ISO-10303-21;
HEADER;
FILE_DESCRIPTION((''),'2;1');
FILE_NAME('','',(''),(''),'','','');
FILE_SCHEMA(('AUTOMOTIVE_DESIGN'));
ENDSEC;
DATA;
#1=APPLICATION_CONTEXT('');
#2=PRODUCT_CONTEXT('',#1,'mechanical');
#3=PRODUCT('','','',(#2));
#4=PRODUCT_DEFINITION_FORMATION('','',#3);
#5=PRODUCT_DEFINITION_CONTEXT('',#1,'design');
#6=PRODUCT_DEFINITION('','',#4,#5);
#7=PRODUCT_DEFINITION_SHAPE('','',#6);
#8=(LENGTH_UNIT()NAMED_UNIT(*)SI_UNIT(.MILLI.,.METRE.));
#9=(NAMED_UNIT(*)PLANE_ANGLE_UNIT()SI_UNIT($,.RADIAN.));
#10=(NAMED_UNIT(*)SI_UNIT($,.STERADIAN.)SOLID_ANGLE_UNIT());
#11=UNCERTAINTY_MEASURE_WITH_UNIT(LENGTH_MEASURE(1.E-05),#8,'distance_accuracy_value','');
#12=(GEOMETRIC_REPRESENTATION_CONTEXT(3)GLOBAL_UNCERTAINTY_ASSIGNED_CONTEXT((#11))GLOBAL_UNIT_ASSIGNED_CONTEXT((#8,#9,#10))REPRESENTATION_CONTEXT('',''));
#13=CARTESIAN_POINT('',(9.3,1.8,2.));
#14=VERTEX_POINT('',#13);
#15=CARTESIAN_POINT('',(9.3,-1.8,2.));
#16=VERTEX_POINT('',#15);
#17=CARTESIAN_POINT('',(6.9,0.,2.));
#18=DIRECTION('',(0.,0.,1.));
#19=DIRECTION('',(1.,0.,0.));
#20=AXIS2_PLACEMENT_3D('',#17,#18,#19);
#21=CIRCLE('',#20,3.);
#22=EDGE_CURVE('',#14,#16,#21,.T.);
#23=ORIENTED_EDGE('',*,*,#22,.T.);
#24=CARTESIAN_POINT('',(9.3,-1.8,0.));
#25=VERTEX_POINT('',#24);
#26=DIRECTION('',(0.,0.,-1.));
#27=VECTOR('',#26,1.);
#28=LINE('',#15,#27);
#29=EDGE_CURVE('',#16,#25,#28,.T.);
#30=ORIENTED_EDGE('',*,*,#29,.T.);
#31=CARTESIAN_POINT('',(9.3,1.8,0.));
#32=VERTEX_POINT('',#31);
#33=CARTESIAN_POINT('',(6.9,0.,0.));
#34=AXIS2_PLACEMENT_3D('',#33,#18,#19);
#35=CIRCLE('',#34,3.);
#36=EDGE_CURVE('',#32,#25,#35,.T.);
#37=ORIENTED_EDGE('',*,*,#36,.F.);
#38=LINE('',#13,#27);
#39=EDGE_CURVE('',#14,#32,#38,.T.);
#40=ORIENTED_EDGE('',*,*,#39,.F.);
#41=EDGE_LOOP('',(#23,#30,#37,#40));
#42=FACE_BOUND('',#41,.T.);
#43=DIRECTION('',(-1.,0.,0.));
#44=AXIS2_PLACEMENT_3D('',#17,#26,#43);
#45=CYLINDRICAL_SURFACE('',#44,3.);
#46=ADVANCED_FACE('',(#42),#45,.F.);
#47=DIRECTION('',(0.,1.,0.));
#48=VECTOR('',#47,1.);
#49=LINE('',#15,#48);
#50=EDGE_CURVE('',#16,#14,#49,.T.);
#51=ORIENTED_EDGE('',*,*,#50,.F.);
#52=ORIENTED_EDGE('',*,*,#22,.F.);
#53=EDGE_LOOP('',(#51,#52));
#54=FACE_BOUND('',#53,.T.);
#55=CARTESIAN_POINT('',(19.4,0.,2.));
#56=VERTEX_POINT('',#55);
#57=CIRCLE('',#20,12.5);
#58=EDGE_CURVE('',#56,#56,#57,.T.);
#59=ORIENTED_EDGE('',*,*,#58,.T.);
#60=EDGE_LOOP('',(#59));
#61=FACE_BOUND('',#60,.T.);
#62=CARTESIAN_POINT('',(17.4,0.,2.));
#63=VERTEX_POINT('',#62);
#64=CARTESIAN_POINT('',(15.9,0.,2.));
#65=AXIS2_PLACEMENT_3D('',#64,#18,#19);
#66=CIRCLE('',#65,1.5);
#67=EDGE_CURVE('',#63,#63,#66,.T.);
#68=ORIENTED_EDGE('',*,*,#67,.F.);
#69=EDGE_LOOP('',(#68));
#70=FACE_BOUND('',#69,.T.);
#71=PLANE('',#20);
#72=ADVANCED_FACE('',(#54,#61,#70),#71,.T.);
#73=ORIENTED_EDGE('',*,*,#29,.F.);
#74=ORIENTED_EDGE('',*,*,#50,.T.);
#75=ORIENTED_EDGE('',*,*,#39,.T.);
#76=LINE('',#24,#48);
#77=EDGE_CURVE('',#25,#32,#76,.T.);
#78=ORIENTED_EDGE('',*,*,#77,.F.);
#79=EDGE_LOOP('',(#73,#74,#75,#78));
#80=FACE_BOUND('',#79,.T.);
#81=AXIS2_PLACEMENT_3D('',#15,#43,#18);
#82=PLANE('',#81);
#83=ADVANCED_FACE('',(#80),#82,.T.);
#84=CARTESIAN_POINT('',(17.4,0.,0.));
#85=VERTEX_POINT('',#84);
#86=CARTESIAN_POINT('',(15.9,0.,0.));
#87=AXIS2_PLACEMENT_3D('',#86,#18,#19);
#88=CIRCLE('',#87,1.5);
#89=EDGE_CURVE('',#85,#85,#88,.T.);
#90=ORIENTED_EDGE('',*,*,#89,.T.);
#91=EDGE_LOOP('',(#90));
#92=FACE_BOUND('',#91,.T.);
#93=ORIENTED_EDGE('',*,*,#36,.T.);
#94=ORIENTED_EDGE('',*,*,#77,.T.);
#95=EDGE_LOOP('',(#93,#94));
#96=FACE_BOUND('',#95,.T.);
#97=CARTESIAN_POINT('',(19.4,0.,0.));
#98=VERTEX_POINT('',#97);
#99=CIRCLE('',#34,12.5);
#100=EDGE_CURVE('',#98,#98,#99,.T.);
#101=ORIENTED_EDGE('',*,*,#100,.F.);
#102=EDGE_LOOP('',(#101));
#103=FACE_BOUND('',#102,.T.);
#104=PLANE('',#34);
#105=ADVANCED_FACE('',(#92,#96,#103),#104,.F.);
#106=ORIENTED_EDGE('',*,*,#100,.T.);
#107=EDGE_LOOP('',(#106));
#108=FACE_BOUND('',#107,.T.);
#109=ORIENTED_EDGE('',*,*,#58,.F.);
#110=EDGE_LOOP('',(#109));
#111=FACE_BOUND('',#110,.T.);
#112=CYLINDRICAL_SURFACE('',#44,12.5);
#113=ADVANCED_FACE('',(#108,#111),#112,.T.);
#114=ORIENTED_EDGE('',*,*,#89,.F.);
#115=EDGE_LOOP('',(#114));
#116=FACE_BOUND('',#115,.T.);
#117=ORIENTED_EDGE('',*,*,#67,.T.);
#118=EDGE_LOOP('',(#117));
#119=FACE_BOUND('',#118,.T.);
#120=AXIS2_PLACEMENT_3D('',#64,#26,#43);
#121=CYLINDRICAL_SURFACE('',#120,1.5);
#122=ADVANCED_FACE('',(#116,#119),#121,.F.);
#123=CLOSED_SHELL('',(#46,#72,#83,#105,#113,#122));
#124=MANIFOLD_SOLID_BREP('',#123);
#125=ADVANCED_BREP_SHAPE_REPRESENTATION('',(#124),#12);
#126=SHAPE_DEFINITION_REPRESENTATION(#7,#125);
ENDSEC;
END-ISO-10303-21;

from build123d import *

# Parameters (mm, degrees)
SKETCH1_R           = 12.5
SKETCH1_R_2         = 1.5
BOSS_EXTRUDE1_DEPTH = 2


with BuildPart() as part:
    # Sketch1 → Boss-Extrude1 (new body)
    with BuildSketch(Plane.XY):
        with Locations((6.9, 0)):
            Circle(SKETCH1_R)
        with Locations((15.9, 0)):
            Circle(SKETCH1_R_2, mode=Mode.SUBTRACT)
        with BuildLine():
            Line((9.3, -1.8), (9.3, 1.8))
            ThreePointArc((9.3, 1.8), (3.9, 0), (9.3, -1.8))
        make_face(mode=Mode.SUBTRACT)
    extrude(amount=BOSS_EXTRUDE1_DEPTH)


solid = part.part
